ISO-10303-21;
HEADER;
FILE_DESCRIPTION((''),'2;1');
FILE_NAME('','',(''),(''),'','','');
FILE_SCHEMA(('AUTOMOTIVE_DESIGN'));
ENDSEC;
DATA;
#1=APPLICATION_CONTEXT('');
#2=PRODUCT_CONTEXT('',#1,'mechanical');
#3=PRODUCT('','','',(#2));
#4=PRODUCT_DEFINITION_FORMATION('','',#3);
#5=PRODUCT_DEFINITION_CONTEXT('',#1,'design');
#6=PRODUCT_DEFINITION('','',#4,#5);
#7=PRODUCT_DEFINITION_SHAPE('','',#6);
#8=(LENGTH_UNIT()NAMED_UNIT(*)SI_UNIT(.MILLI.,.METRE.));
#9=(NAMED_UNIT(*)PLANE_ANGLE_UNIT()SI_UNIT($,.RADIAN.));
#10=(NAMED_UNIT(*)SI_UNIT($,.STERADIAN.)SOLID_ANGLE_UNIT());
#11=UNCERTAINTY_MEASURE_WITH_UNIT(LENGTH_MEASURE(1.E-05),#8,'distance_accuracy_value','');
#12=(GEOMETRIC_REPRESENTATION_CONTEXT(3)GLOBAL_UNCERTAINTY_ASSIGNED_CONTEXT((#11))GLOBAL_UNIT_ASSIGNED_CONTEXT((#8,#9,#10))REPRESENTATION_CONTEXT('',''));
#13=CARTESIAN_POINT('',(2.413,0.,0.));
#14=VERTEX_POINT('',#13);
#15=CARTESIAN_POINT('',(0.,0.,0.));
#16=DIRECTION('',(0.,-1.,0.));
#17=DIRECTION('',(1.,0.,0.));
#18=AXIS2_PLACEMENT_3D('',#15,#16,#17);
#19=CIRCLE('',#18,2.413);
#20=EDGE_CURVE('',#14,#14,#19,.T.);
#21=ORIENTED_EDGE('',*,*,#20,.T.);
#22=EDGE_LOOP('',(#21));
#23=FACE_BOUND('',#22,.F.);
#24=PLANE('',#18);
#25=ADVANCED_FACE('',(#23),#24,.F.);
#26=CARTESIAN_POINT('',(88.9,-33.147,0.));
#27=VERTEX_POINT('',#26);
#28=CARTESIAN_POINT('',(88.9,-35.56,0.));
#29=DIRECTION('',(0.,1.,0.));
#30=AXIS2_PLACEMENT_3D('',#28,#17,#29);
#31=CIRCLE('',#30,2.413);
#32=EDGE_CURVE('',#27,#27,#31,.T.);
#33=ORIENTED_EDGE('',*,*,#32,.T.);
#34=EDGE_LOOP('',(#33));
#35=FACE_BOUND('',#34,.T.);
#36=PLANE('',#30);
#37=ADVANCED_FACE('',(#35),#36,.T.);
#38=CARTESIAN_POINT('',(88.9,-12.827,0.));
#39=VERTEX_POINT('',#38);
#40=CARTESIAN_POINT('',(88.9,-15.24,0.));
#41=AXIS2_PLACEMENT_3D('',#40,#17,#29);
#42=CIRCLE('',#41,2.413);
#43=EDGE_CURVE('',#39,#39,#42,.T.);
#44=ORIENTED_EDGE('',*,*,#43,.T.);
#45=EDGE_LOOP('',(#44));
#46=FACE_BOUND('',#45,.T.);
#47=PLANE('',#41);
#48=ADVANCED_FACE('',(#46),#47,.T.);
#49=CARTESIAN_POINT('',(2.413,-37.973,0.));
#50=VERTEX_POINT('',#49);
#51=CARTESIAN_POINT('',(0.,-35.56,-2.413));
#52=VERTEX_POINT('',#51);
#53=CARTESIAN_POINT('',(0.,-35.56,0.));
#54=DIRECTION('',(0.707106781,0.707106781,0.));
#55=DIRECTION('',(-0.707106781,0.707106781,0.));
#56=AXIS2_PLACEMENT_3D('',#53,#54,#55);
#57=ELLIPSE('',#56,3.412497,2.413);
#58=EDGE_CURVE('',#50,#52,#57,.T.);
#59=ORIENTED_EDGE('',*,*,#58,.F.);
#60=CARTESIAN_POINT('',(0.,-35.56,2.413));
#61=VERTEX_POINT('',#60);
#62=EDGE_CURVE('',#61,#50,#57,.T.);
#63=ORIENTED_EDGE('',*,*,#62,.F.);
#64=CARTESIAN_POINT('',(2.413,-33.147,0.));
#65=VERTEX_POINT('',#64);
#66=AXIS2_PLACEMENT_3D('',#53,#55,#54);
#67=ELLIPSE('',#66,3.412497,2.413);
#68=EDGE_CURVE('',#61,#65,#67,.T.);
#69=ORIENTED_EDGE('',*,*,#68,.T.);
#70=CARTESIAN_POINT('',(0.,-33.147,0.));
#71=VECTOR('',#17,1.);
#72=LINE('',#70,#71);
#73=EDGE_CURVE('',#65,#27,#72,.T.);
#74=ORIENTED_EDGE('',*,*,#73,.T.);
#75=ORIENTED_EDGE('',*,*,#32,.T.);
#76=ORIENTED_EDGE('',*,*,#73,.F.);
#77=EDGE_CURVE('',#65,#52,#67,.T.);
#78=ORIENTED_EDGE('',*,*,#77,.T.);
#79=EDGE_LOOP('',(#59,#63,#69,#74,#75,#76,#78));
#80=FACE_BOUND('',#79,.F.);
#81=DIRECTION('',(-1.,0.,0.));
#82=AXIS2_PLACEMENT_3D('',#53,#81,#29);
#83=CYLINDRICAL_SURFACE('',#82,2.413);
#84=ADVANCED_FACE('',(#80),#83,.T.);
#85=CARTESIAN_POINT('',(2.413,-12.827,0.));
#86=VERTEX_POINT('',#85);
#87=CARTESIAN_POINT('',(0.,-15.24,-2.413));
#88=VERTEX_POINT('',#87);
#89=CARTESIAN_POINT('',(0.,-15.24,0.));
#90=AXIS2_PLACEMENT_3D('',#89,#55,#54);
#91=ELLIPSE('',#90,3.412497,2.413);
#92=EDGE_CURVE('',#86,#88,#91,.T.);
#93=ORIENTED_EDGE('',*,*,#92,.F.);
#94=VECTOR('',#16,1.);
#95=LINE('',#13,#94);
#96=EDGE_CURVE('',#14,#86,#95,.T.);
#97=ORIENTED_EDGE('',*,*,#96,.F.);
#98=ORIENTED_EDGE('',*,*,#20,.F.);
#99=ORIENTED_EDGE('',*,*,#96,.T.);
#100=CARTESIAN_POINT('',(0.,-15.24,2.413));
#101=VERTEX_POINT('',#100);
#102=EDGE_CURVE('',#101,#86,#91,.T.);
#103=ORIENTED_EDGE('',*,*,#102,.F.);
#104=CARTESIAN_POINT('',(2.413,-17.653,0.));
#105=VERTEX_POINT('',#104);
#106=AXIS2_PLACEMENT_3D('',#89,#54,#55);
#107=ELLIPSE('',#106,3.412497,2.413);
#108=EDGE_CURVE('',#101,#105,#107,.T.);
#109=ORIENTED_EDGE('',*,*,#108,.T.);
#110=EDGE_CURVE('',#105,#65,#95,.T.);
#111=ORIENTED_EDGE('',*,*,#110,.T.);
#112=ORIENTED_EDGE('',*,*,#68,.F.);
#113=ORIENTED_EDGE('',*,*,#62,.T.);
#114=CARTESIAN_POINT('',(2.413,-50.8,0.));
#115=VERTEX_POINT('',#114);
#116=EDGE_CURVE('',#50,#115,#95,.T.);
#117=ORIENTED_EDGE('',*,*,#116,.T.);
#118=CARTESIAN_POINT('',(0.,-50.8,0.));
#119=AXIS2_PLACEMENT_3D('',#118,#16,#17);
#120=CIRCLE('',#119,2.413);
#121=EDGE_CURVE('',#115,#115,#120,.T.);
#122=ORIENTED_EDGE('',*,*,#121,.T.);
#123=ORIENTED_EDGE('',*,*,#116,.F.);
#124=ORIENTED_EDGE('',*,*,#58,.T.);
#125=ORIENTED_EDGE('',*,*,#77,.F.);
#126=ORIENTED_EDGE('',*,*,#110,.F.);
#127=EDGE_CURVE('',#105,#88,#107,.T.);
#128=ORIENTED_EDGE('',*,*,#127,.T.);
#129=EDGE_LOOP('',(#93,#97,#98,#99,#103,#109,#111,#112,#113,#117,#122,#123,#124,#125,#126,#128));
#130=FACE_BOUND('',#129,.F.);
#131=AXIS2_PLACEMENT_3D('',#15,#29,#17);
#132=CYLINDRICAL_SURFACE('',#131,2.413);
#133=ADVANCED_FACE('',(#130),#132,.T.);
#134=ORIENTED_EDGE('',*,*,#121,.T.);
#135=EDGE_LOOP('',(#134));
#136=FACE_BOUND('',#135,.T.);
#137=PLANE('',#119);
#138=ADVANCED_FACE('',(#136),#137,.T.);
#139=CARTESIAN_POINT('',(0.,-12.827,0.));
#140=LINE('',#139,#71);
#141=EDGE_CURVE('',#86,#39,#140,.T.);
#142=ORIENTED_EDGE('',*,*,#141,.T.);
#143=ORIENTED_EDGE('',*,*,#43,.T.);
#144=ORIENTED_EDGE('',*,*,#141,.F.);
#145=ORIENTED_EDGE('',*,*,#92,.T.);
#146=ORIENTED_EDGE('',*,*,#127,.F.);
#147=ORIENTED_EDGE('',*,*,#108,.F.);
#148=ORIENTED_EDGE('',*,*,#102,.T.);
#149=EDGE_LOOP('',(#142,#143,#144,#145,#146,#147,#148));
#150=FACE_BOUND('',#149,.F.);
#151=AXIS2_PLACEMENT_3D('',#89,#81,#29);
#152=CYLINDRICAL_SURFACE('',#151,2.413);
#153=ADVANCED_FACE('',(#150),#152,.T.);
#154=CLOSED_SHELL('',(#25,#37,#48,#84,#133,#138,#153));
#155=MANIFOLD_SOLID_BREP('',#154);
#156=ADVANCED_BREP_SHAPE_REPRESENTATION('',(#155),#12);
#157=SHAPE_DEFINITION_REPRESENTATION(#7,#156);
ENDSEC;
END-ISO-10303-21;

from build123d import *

# Parameters (mm, degrees)
F0_R     = 2.413
F1_DEPTH = 50.8
F2_R     = 2.413
F3_DEPTH = 88.9


with BuildPart() as f1:
    # F0 (on Front) → F1 (new body)
    with BuildSketch(Plane.XZ):
        Circle(F0_R)
    extrude(amount=F1_DEPTH)

    # F2 (on Right) → F3 (join)
    with BuildSketch(Plane.YZ):
        with Locations((-35.56, 0)):
            Circle(F2_R)
        with Locations((-15.24, 0)):
            Circle(F2_R)
    extrude(amount=F3_DEPTH)


solid = f1.part
